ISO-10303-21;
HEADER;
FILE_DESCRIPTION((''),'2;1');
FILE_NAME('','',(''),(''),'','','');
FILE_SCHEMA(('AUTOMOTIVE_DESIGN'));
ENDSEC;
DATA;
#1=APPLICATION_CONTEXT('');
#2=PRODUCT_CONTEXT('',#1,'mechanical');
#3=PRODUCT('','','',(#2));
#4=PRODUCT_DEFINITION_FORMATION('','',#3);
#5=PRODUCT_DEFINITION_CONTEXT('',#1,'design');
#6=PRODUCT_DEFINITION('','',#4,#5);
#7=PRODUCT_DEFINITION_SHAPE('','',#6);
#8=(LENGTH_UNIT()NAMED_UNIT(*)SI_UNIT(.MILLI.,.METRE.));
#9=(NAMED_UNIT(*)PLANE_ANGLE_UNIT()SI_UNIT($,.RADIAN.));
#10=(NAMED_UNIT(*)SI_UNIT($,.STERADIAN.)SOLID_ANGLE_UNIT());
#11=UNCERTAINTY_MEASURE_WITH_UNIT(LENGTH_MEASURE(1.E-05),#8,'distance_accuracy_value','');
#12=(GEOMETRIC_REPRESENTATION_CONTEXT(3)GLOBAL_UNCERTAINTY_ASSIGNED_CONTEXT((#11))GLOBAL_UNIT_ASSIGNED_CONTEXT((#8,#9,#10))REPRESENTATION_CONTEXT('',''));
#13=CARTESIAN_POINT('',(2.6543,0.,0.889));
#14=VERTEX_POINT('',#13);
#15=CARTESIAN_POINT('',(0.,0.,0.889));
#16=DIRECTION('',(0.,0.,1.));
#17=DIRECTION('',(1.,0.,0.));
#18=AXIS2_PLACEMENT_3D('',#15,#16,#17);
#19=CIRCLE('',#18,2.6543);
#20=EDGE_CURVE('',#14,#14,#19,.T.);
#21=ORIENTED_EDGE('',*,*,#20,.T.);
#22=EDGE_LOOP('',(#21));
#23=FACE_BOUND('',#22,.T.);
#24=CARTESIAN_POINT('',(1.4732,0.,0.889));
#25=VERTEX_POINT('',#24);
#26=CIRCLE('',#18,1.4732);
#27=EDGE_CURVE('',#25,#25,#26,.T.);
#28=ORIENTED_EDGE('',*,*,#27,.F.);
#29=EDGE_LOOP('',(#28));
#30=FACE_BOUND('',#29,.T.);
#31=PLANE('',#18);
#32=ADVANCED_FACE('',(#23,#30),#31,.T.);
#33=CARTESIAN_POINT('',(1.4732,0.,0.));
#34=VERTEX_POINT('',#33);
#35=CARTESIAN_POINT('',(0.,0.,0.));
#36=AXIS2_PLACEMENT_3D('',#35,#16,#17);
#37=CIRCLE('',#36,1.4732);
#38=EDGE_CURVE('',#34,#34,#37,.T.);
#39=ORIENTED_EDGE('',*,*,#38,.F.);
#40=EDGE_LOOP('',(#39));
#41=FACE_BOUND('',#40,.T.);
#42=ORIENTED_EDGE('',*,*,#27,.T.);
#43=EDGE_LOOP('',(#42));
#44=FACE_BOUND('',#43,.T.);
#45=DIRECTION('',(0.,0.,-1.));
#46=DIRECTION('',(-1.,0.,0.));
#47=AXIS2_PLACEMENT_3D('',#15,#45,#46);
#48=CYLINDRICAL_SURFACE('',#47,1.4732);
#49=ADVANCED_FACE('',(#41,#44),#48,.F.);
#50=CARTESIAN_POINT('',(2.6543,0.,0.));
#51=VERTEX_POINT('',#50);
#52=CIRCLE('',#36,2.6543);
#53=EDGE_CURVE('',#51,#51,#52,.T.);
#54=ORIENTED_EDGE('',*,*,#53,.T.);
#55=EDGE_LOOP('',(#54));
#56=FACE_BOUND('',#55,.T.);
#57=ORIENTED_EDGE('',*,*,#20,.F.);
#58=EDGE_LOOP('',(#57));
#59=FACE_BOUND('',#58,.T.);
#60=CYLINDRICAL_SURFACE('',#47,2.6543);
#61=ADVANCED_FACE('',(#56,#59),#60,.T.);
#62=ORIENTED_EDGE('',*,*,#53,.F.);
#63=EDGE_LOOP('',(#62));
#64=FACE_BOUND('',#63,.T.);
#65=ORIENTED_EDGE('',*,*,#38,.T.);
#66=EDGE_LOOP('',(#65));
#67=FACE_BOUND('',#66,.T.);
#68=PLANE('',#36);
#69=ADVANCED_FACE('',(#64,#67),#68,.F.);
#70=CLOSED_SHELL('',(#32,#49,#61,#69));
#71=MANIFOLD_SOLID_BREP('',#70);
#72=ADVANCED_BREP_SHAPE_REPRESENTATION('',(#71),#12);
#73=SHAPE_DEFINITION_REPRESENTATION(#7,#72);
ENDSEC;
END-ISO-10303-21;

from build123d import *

# Parameters (mm, degrees)
SKETCH1_R      = 2.6543
SKETCH1_R_2    = 1.4732
EXTRUDE1_DEPTH = 0.889


with BuildPart() as part:
    # Sketch1 → Extrude1 (new body)
    with BuildSketch(Plane.XY):
        Circle(SKETCH1_R)
        Circle(SKETCH1_R_2, mode=Mode.SUBTRACT)
    extrude(amount=EXTRUDE1_DEPTH)


solid = part.part
